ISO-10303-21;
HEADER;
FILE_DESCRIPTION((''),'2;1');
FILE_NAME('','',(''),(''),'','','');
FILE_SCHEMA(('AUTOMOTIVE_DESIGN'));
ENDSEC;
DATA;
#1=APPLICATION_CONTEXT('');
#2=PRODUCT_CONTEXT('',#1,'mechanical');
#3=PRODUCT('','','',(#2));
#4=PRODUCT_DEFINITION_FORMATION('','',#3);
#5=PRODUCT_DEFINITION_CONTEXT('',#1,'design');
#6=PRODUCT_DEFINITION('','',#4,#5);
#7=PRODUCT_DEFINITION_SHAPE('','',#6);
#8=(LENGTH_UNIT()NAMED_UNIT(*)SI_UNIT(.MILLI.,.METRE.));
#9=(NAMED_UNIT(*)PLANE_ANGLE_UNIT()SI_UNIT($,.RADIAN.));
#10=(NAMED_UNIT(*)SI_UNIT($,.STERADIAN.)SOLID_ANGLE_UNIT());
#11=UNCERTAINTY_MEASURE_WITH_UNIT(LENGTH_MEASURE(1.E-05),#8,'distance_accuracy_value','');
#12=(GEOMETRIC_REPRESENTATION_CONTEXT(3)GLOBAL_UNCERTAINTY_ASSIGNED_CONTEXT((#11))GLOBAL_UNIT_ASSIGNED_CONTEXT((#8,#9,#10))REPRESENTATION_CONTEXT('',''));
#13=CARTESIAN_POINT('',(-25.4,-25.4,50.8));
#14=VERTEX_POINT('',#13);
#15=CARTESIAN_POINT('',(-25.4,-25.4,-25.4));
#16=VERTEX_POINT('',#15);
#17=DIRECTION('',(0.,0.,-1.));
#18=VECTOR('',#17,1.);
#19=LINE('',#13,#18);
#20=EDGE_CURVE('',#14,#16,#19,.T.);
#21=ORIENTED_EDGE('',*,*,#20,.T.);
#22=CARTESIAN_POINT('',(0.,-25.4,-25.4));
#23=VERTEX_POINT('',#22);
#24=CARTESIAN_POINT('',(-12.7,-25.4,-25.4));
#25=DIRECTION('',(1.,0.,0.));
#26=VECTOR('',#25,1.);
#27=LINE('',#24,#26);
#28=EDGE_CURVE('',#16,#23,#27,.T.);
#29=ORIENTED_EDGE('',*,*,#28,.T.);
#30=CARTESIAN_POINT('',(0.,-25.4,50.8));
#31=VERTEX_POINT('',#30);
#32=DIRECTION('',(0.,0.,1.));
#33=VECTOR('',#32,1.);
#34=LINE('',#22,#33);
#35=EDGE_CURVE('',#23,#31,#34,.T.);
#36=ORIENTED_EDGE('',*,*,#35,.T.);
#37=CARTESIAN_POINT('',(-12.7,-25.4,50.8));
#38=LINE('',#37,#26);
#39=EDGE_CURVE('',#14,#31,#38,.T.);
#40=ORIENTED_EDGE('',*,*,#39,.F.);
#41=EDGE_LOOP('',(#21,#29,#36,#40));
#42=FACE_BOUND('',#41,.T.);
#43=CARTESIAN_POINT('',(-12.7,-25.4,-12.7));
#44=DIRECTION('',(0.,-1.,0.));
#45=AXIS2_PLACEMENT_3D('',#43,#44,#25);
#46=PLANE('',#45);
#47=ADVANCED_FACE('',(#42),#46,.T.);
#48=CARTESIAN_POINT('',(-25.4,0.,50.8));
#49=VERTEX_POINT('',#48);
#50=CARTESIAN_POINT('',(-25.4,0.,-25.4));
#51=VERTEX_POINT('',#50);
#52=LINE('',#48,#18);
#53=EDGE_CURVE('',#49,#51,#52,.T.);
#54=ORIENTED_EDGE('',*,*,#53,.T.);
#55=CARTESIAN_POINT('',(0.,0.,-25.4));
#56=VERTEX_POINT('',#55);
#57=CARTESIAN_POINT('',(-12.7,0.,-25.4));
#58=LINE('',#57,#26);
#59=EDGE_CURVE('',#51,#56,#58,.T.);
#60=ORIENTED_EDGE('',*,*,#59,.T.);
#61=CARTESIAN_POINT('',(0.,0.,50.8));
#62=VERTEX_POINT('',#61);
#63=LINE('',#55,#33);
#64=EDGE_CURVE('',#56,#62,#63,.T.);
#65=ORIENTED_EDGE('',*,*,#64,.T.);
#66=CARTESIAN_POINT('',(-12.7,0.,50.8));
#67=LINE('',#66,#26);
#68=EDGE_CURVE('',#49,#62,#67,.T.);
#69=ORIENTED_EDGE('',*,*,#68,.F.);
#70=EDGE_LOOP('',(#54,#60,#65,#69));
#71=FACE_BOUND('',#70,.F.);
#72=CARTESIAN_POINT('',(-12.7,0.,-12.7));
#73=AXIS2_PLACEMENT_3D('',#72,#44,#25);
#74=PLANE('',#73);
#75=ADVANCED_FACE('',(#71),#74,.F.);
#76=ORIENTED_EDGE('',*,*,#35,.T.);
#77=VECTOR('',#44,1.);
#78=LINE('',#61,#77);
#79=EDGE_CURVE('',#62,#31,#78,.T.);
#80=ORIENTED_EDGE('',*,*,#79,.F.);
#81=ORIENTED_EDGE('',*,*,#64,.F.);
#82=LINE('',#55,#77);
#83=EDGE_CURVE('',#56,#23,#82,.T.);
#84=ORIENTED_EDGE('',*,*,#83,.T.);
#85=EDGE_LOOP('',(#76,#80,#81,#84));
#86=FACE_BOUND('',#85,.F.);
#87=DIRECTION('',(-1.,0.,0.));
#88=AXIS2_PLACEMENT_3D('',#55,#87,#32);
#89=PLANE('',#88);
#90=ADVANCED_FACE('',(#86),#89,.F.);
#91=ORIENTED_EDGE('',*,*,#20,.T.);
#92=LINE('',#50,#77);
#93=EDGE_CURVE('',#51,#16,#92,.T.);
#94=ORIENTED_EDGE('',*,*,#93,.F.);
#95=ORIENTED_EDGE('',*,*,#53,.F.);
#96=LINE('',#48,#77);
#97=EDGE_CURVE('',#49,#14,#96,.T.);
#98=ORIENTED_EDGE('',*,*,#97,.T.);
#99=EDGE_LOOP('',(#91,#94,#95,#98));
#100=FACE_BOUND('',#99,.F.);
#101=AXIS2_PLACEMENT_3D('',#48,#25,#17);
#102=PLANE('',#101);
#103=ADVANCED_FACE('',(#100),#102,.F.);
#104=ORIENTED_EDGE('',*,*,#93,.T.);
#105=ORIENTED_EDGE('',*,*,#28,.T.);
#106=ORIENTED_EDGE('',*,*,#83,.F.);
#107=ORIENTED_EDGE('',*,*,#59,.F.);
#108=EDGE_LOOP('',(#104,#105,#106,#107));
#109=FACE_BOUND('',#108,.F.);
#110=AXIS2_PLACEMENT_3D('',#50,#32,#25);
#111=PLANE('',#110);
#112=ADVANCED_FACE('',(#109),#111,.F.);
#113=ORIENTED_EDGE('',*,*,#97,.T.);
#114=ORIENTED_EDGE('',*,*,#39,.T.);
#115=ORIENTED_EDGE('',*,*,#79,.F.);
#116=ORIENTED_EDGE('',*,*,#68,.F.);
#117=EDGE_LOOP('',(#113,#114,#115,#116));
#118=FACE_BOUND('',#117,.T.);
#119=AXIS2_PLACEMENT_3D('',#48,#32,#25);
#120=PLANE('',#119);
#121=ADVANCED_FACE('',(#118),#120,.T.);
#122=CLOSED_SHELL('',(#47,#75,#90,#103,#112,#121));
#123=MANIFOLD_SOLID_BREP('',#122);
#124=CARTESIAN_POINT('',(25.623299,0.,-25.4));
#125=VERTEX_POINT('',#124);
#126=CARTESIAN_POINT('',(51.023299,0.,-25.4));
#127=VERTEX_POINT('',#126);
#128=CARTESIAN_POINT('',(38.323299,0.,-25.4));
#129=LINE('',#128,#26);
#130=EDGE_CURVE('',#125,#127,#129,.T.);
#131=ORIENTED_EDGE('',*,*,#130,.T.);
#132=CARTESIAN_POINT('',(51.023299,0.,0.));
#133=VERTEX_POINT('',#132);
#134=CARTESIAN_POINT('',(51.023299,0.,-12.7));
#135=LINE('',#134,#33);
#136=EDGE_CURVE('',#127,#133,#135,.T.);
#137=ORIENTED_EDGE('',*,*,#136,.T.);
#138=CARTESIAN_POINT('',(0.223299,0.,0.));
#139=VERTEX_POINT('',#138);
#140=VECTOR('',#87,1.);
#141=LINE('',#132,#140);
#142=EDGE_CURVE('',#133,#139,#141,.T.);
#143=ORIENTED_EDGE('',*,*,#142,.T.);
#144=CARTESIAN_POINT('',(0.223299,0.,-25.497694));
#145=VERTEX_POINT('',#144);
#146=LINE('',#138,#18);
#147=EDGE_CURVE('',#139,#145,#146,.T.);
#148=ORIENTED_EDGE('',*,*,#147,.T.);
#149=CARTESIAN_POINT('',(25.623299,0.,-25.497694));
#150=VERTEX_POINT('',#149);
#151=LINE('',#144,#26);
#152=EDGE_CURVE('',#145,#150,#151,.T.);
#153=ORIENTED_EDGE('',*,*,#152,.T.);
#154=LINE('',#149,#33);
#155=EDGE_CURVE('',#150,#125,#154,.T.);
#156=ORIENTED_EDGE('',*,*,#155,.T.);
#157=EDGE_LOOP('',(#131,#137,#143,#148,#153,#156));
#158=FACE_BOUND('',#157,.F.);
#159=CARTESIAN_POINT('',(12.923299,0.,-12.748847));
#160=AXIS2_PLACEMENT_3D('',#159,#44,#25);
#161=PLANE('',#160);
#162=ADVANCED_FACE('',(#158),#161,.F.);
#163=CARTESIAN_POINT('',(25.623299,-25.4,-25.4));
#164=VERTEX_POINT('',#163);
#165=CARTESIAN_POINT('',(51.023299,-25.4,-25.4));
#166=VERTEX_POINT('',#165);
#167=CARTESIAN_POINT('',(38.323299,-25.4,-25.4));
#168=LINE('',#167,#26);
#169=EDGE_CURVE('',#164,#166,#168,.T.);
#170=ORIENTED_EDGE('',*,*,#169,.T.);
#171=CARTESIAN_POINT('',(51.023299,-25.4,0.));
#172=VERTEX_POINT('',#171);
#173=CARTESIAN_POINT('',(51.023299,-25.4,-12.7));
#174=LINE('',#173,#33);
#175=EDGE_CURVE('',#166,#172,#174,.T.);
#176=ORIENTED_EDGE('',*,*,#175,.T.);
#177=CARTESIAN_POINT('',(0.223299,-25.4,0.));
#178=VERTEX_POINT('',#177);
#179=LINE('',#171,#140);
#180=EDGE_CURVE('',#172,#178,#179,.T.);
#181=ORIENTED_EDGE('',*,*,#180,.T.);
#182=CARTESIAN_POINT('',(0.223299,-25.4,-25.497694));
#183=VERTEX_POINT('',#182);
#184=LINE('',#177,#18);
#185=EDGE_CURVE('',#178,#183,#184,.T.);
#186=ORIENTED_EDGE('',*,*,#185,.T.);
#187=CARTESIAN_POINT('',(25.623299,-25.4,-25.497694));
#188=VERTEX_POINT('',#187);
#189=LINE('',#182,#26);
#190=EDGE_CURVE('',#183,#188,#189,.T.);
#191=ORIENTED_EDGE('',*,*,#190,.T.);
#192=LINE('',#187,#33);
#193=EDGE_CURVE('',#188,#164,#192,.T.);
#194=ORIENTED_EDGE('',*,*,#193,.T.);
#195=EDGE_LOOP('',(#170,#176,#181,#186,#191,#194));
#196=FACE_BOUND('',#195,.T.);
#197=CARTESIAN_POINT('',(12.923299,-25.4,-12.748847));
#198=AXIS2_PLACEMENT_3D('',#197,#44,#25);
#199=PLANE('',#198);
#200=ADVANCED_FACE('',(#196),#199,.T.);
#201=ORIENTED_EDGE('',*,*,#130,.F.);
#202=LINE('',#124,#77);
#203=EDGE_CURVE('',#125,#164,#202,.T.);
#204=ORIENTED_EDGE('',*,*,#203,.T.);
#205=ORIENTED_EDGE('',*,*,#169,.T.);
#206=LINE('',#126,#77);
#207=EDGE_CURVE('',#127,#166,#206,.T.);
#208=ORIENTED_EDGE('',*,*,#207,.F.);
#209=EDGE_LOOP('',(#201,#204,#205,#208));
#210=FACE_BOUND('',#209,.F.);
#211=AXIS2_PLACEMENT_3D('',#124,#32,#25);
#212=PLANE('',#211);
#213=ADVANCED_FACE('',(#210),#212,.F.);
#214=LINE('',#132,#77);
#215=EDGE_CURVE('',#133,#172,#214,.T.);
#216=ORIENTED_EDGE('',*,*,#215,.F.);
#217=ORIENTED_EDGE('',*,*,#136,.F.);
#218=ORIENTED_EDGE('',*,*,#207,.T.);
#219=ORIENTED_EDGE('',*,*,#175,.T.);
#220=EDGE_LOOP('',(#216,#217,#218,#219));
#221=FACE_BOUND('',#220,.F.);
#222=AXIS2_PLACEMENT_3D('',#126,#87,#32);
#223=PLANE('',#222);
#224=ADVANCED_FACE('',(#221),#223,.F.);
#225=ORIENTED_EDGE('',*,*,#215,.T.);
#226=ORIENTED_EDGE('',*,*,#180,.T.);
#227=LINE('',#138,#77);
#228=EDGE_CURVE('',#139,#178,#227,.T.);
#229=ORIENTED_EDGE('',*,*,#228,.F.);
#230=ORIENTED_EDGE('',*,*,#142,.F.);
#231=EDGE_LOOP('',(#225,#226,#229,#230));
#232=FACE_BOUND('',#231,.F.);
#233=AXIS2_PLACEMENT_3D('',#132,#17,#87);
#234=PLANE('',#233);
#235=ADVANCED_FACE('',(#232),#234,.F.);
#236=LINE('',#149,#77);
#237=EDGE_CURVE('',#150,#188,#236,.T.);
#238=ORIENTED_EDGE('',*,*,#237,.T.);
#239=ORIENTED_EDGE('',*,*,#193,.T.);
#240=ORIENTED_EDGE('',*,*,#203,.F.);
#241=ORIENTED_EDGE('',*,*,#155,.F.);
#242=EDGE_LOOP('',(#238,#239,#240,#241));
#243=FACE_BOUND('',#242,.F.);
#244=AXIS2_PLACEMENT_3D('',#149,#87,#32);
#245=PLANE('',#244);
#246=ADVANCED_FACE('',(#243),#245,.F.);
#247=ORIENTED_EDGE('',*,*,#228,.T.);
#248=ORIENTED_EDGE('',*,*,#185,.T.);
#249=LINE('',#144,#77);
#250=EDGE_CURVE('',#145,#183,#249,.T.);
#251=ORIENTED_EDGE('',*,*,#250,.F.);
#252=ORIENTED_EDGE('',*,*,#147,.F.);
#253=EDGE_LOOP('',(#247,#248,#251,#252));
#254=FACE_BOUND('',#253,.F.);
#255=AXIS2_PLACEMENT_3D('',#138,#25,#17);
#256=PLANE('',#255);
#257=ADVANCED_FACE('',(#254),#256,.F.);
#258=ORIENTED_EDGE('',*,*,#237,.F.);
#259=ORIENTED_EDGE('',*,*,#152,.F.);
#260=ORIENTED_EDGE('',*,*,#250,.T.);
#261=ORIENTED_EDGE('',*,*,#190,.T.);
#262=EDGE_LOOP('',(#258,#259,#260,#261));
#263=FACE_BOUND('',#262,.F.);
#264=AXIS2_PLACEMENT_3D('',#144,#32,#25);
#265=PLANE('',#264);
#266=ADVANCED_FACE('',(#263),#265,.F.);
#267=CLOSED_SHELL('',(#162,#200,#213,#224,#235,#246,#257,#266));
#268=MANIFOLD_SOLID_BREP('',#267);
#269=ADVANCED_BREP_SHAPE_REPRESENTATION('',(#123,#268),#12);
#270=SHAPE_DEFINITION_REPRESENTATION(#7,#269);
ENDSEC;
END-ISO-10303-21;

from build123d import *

# Parameters (mm, degrees)
F0_W     = 25.4
F0_H     = 25.4
F1_DEPTH = 25.4


with BuildPart() as f1:
    # F0 (on Front) → F1 (new body)
    with BuildSketch(Plane.XZ):
        with Locations((-12.7, -12.7)):
            Rectangle(F0_W, F0_H)
        with Locations((-12.7, 12.7)):
            Rectangle(F0_W, F0_H)
        with Locations((-12.7, 38.1)):
            Rectangle(F0_W, F0_H)
        Polygon((25.623299, 0), (0.223299, 0), (0.223299, -25.497694), (25.623299, -25.497694), (25.623299, -25.4), align=None)
        with Locations((38.323299, -12.7)):
            Rectangle(F0_W, F0_H)
    extrude(amount=F1_DEPTH)


solid = f1.part
